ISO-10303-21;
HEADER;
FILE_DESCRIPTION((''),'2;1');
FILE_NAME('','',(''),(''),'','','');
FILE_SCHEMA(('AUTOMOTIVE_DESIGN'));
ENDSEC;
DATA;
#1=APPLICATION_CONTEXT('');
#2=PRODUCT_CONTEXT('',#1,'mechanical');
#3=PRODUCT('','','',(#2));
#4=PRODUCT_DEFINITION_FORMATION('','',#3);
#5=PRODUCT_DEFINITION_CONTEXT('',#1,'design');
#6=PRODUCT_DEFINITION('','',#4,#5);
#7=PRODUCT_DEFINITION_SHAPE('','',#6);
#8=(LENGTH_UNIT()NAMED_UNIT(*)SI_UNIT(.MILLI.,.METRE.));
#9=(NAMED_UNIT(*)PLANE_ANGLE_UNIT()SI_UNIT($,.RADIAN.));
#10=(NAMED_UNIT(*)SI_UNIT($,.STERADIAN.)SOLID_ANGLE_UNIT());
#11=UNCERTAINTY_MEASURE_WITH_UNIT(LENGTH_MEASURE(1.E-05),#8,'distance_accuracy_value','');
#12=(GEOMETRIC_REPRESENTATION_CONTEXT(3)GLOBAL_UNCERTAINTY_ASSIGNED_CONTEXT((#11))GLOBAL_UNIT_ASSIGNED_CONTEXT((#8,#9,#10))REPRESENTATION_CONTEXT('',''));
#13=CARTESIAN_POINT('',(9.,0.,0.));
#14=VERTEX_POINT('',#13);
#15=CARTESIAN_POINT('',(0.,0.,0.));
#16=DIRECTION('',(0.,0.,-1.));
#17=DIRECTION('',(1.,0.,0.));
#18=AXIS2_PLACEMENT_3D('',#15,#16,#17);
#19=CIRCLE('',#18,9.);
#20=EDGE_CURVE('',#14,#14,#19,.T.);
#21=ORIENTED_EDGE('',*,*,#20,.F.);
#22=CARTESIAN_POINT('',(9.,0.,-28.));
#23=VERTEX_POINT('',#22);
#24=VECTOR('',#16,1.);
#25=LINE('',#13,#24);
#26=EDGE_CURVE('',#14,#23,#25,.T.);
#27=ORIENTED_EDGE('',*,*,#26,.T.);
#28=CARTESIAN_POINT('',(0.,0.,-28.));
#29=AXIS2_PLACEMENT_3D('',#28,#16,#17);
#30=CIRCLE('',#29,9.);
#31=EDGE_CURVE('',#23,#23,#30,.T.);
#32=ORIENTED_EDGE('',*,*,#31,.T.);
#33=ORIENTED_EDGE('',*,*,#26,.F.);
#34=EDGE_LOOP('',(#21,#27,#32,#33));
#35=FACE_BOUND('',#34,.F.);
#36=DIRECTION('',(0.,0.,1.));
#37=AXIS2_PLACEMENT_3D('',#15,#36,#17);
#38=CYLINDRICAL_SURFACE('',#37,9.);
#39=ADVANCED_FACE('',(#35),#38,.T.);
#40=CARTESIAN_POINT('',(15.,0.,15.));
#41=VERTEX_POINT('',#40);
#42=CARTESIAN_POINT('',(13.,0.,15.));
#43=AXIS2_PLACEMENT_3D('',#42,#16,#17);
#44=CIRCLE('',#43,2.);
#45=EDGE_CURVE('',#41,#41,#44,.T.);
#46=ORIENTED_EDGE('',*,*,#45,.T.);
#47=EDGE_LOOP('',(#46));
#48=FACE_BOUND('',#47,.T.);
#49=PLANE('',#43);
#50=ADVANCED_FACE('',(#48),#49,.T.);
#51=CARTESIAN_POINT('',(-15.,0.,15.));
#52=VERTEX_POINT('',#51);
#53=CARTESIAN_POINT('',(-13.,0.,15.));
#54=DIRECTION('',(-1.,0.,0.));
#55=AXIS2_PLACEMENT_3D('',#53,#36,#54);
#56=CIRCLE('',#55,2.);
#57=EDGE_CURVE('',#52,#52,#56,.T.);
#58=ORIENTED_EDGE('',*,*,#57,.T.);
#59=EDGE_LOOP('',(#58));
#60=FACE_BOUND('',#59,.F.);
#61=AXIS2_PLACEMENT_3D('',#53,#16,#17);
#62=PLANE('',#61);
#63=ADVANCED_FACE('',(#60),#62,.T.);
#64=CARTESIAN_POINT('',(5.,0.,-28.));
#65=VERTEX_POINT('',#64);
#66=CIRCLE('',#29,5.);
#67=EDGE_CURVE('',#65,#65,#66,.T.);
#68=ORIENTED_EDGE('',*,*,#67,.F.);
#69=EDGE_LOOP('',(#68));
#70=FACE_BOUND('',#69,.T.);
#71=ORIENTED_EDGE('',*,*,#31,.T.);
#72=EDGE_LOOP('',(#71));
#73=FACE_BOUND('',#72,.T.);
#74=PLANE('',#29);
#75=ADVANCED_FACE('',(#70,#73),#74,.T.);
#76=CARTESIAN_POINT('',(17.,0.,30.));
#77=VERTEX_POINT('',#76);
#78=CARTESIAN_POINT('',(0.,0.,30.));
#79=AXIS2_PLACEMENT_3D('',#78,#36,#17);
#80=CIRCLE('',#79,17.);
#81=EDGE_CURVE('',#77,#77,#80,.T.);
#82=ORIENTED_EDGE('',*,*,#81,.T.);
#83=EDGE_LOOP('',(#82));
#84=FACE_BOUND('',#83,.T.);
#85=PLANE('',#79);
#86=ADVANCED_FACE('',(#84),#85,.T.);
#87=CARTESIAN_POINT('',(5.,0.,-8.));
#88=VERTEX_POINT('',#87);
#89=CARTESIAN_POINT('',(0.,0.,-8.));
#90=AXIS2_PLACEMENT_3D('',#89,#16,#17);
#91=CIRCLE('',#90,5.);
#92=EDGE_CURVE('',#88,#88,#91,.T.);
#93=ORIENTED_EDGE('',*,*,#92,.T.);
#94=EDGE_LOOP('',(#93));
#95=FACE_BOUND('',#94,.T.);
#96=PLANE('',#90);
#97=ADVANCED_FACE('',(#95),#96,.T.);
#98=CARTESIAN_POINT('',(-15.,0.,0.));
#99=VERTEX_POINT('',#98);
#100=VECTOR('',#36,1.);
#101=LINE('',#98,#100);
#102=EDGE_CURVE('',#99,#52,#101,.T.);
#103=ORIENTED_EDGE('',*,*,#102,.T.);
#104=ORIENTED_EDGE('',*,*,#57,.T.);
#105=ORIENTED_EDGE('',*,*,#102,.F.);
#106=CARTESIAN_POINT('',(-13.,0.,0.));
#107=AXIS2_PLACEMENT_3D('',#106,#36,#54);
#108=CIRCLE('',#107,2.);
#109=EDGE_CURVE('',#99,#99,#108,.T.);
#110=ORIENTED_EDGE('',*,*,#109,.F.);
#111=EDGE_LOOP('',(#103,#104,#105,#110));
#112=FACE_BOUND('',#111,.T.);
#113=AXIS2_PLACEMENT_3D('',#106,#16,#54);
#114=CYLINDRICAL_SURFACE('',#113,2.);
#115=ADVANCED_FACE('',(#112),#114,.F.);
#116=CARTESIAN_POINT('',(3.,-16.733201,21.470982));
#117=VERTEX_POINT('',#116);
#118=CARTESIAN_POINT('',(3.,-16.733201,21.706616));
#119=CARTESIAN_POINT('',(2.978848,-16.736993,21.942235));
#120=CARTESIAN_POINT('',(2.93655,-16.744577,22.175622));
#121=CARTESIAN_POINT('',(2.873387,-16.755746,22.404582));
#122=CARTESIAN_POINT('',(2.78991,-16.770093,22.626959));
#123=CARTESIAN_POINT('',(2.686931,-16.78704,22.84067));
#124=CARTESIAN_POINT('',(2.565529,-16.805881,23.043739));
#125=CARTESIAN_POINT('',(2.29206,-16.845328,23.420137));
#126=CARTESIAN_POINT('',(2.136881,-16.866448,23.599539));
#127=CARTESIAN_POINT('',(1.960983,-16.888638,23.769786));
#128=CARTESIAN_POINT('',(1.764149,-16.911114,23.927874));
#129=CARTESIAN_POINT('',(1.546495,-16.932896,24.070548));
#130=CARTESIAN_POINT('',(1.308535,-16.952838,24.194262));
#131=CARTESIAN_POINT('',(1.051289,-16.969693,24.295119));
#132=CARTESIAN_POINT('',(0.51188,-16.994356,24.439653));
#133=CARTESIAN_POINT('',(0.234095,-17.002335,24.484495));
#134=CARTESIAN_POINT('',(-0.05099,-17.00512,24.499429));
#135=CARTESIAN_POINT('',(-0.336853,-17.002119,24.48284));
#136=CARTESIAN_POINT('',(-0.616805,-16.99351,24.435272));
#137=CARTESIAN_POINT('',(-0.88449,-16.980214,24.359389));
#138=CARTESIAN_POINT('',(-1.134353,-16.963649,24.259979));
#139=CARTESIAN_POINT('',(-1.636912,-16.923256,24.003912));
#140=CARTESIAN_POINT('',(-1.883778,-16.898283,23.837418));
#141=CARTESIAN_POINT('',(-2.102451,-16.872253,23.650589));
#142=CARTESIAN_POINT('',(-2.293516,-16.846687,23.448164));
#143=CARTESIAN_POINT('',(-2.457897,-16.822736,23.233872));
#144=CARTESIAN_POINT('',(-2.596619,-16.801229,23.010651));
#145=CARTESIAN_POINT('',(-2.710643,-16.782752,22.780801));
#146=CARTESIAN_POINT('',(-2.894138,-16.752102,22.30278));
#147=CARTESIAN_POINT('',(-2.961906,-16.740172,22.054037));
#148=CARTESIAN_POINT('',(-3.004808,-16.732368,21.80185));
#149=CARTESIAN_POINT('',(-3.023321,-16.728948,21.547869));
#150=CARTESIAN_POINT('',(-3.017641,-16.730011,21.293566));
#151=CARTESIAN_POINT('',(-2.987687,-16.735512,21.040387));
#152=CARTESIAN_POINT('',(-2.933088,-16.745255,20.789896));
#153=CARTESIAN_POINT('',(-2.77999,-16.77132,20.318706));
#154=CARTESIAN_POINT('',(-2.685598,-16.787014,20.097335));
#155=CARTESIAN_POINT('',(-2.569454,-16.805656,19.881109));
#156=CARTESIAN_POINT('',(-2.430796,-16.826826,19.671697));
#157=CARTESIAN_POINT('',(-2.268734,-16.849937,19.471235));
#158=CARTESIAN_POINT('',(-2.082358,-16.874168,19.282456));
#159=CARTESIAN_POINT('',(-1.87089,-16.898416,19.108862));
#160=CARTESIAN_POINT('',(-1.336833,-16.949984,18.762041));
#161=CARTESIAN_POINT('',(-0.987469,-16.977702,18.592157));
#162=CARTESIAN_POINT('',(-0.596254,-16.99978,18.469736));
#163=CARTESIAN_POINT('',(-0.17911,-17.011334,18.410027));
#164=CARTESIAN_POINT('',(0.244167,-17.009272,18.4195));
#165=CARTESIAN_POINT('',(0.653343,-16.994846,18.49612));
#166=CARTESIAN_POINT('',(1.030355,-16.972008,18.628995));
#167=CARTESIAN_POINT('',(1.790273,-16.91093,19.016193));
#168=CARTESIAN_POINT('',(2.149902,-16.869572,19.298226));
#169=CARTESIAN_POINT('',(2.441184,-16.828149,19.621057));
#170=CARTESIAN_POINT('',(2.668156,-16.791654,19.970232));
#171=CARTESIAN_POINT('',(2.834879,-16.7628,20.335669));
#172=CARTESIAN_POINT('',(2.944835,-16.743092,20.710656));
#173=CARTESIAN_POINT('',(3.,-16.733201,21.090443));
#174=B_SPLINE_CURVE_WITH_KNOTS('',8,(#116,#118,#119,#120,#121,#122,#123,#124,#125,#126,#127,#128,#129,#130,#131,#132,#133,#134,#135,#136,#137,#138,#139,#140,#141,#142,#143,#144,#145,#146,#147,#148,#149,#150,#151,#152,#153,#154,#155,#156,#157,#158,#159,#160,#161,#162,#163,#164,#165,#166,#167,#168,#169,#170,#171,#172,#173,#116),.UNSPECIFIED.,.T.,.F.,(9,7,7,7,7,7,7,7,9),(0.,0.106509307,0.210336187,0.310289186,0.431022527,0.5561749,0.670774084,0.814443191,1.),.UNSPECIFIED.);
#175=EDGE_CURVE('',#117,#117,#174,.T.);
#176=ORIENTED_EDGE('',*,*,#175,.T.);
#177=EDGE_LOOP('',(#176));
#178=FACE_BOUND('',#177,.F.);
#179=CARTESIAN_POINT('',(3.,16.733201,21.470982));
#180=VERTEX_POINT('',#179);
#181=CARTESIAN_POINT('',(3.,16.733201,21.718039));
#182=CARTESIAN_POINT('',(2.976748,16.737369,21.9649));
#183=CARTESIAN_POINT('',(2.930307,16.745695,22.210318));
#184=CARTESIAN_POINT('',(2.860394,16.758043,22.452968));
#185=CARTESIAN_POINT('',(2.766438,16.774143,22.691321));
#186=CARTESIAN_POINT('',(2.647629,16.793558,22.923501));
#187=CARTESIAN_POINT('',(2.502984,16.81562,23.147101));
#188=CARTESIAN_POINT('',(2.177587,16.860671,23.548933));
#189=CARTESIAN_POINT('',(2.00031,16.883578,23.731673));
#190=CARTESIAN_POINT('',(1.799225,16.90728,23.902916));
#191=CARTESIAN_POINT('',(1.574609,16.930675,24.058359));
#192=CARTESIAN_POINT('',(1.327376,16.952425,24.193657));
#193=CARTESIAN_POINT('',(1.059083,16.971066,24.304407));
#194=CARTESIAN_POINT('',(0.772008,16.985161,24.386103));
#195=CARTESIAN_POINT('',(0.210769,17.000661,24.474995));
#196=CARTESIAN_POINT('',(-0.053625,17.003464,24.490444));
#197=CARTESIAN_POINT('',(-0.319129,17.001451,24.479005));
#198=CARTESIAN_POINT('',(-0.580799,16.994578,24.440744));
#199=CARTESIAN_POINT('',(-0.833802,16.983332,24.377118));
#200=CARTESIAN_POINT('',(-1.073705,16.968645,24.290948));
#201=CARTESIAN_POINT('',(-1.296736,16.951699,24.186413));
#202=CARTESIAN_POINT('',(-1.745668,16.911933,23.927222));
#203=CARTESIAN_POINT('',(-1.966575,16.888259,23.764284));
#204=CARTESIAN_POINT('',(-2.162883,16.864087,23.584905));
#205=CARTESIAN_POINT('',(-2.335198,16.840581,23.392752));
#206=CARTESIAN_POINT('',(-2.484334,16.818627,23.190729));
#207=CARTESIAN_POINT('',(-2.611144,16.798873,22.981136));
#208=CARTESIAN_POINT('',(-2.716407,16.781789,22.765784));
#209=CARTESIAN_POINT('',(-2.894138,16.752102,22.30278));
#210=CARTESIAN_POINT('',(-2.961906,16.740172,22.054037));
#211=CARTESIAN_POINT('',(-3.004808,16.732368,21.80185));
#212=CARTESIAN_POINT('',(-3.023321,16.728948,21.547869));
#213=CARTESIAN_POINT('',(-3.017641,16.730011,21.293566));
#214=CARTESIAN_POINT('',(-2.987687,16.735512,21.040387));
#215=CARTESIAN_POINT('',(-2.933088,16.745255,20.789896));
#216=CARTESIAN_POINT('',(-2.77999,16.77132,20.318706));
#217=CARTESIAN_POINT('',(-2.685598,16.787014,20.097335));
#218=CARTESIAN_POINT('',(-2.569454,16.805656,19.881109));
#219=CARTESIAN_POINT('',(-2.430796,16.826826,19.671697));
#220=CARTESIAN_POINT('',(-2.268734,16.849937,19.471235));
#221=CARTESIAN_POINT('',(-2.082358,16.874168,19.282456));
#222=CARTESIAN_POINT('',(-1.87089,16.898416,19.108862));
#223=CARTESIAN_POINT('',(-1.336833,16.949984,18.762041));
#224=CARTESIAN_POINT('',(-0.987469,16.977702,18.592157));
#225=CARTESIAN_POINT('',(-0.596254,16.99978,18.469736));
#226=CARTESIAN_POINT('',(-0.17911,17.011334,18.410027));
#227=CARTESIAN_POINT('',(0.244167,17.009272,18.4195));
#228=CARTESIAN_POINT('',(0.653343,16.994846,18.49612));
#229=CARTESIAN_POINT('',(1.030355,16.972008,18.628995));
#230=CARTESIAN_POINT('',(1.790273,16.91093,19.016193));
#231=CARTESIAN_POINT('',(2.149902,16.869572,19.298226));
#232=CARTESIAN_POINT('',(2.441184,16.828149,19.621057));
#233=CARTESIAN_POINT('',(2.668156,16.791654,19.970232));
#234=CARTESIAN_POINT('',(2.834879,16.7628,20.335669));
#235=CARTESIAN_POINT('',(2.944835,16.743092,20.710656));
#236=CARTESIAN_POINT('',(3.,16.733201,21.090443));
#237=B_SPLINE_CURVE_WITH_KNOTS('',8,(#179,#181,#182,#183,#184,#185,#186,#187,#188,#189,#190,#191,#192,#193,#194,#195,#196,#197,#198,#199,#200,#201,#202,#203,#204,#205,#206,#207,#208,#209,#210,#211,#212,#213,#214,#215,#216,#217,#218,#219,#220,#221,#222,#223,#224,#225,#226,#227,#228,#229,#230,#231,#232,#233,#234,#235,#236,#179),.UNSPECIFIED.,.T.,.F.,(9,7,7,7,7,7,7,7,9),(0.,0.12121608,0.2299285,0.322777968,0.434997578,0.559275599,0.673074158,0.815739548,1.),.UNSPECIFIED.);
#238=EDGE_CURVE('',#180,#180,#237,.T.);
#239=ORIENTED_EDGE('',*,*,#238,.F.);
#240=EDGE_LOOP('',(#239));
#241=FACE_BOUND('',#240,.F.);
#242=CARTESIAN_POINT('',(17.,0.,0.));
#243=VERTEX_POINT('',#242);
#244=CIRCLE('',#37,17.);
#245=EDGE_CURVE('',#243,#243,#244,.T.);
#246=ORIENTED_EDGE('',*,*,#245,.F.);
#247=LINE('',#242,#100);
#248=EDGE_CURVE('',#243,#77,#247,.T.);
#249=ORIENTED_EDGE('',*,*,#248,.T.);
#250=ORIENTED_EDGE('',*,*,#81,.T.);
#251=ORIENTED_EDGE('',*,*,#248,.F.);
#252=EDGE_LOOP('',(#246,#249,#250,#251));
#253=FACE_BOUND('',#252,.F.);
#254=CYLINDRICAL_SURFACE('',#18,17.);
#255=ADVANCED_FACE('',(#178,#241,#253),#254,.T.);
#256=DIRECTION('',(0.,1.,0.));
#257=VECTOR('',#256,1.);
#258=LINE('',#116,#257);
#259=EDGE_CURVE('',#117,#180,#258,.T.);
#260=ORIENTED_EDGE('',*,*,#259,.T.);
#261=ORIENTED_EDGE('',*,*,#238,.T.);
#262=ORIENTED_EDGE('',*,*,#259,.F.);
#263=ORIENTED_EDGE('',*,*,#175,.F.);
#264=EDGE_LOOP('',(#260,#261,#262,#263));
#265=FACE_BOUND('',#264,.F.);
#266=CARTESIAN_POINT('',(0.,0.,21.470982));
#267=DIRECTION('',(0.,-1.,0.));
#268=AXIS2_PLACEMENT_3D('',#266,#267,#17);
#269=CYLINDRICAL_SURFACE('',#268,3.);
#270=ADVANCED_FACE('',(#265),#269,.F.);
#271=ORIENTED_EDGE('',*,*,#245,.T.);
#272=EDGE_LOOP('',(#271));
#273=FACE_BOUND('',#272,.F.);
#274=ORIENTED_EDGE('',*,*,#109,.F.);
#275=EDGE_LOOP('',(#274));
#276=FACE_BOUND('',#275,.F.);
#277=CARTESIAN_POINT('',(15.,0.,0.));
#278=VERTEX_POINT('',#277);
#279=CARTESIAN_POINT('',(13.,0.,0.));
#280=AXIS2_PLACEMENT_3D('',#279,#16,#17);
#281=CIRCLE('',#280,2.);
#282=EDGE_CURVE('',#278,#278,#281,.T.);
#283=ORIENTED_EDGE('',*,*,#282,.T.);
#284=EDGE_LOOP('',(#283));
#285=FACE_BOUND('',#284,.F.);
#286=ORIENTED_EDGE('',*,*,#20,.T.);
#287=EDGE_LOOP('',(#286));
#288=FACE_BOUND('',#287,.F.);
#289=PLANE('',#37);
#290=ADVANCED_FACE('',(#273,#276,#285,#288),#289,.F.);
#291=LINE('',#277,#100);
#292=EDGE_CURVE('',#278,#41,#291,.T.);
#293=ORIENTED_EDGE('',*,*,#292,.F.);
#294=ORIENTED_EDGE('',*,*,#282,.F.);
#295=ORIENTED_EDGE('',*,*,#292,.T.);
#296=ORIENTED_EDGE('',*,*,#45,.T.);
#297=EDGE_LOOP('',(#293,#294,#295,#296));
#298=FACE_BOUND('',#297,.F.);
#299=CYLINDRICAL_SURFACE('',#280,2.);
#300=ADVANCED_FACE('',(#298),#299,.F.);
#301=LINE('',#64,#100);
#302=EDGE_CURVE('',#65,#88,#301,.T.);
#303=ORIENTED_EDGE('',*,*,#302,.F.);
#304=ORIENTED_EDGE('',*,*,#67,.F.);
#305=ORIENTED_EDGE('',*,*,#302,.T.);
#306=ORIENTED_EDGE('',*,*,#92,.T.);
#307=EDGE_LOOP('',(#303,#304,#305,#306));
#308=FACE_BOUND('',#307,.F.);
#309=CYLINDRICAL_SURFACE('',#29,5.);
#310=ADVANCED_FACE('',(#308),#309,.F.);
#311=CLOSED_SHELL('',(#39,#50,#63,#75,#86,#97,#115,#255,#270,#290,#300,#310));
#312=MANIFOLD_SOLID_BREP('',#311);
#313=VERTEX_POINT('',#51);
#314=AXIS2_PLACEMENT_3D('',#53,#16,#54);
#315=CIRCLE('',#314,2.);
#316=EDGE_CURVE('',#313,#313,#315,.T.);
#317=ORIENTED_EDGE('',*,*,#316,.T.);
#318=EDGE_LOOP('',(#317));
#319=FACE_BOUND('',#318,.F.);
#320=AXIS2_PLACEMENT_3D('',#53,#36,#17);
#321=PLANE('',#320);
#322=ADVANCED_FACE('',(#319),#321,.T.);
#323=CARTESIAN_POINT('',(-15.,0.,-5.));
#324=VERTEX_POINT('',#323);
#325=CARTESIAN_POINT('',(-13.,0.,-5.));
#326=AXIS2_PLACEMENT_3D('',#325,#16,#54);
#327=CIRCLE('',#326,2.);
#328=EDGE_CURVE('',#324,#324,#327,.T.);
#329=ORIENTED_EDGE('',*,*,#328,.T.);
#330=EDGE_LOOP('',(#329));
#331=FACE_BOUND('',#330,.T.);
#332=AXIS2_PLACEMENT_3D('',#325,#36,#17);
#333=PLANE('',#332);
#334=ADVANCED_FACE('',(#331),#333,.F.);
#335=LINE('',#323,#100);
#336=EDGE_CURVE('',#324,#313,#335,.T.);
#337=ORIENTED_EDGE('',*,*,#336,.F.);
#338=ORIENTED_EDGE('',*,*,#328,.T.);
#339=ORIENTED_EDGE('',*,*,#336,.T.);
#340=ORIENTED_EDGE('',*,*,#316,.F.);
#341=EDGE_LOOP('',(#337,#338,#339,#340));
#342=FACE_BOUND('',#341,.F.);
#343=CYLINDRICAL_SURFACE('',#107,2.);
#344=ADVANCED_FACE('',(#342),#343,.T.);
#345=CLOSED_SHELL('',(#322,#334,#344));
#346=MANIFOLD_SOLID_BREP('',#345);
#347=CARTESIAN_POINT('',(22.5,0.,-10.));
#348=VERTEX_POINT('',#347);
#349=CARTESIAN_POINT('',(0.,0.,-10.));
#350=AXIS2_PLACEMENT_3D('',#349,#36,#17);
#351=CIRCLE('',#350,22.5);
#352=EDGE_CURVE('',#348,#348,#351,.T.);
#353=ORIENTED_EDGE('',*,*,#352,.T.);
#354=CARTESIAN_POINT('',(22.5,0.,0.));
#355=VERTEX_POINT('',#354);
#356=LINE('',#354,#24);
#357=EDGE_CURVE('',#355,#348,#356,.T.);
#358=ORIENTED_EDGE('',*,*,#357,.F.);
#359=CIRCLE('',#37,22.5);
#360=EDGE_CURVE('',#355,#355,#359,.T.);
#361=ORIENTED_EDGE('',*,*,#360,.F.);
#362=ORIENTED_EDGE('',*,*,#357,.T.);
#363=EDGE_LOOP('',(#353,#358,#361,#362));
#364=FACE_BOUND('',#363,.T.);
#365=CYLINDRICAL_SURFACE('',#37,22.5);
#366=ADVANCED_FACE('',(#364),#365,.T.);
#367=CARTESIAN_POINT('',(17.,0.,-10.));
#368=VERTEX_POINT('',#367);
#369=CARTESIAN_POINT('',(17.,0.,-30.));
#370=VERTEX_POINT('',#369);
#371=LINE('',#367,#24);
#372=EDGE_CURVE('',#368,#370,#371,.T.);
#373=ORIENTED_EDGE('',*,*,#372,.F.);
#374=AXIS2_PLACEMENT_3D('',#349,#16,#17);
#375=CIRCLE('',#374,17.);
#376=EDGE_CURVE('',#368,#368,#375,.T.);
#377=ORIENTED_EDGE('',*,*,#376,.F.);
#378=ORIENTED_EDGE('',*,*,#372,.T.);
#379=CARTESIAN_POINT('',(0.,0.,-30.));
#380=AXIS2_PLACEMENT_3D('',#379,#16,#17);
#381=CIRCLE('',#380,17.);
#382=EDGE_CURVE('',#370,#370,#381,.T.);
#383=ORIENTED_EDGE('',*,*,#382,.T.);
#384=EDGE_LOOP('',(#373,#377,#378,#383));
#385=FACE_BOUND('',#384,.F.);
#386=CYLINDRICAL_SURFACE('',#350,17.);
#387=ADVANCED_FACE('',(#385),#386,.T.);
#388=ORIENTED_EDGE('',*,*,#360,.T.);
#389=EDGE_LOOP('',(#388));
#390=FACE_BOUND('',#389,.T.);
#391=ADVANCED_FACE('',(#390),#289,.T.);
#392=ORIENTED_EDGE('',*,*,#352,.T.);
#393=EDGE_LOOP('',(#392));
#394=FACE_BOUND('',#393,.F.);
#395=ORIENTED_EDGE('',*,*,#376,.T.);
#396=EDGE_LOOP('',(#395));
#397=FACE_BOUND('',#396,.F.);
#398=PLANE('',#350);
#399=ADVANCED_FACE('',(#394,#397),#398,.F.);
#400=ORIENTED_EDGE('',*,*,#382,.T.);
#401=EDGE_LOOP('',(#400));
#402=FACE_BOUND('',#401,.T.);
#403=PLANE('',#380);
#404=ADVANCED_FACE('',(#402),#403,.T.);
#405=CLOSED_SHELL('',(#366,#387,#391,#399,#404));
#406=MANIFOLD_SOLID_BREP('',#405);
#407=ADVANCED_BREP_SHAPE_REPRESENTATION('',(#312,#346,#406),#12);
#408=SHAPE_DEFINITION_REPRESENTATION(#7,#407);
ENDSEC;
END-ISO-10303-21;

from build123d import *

# Parameters (mm, degrees)
SKETCH_R             = 17
PAD_DEPTH            = 30
SKETCH001_R          = 9
PAD001_DEPTH         = 28
SKETCH002_R          = 2
POCKET_DEPTH         = 15
SKETCH006_R          = 5
POCKET001_DEPTH      = 20
SKETCH007_R          = 3
POCKET002_DEPTH      = 17.001
POCKET002_DEPTH_BACK = -17.001
SKETCH003_R          = 2
PAD002_DEPTH         = 15
PAD002_DEPTH_BACK    = 5
SKETCH004_R          = 22.5
PAD003_DEPTH         = 10
SKETCH005_R          = 17
PAD004_DEPTH         = 20


with BuildPart() as body:
    # Sketch → Pad (new body)
    with BuildSketch(Plane.XY):
        Circle(SKETCH_R)
    extrude(amount=PAD_DEPTH)

    # Sketch001 (on Face2 of Pad) → Pad001 (join)
    with BuildSketch(Plane(origin=(0, 0, 0), x_dir=(1, 0, 0), z_dir=(0, 0, -1))):
        Circle(SKETCH001_R)
    extrude(amount=PAD001_DEPTH)

    # Sketch002 (on Face2 of Pad001) → Pocket (cut)
    with BuildSketch(Plane(origin=(0, 0, 0), x_dir=(1, 0, 0), z_dir=(0, 0, -1))):
        with Locations((13, 0)):
            Circle(SKETCH002_R)
    pocket = extrude(amount=-POCKET_DEPTH, mode=Mode.SUBTRACT)

    # Mirrored: Pocket across Sketch002 V_Axis
    add(pocket.mirror(Plane(origin=(0, 0, 0), x_dir=(0, 0, -1), z_dir=(1, 0, 0))), mode=Mode.SUBTRACT)

    # Sketch006 (on Face8 of Mirrored) → Pocket001 (cut)
    with BuildSketch(Plane(origin=(0, 0, -28), x_dir=(1, 0, 0), z_dir=(0, 0, -1))):
        Circle(SKETCH006_R)
    extrude(amount=-POCKET001_DEPTH, mode=Mode.SUBTRACT)

    # Sketch007 → Pocket002 (cut, two sides)
    with BuildSketch(Plane.XZ) as pocket002_sk:
        with Locations((0, 21.470982)):
            Circle(SKETCH007_R)
    extrude(amount=-POCKET002_DEPTH, mode=Mode.SUBTRACT)
    extrude(pocket002_sk.sketch, amount=-POCKET002_DEPTH_BACK, mode=Mode.SUBTRACT)


with BuildPart() as body001:
    # Sketch003 → Pad002 (new body, two sides)
    with BuildSketch(Plane.XY) as pad002_sk:
        with Locations((13, 0)):
            Circle(SKETCH003_R)
    extrude(amount=PAD002_DEPTH)
    extrude(pad002_sk.sketch, amount=-PAD002_DEPTH_BACK)


with BuildPart() as part_mirroring:
    # Part__Mirroring: instance of Body001
    add(body001.part.mirror(Plane(origin=(0, 0, 0), x_dir=(0, -1, 0), z_dir=(1, 0, 0))))


with BuildPart() as body002:
    # Sketch004 → Pad003 (new body)
    with BuildSketch(Plane.XY):
        Circle(SKETCH004_R)
    extrude(amount=-PAD003_DEPTH)

    # Sketch005 (on Face3 of Pad003) → Pad004 (join)
    with BuildSketch(Plane(origin=(0, 0, -10), x_dir=(1, 0, 0), z_dir=(0, 0, -1))):
        Circle(SKETCH005_R)
    extrude(amount=PAD004_DEPTH)


solid = Compound([body.part, part_mirroring.part, body002.part])
